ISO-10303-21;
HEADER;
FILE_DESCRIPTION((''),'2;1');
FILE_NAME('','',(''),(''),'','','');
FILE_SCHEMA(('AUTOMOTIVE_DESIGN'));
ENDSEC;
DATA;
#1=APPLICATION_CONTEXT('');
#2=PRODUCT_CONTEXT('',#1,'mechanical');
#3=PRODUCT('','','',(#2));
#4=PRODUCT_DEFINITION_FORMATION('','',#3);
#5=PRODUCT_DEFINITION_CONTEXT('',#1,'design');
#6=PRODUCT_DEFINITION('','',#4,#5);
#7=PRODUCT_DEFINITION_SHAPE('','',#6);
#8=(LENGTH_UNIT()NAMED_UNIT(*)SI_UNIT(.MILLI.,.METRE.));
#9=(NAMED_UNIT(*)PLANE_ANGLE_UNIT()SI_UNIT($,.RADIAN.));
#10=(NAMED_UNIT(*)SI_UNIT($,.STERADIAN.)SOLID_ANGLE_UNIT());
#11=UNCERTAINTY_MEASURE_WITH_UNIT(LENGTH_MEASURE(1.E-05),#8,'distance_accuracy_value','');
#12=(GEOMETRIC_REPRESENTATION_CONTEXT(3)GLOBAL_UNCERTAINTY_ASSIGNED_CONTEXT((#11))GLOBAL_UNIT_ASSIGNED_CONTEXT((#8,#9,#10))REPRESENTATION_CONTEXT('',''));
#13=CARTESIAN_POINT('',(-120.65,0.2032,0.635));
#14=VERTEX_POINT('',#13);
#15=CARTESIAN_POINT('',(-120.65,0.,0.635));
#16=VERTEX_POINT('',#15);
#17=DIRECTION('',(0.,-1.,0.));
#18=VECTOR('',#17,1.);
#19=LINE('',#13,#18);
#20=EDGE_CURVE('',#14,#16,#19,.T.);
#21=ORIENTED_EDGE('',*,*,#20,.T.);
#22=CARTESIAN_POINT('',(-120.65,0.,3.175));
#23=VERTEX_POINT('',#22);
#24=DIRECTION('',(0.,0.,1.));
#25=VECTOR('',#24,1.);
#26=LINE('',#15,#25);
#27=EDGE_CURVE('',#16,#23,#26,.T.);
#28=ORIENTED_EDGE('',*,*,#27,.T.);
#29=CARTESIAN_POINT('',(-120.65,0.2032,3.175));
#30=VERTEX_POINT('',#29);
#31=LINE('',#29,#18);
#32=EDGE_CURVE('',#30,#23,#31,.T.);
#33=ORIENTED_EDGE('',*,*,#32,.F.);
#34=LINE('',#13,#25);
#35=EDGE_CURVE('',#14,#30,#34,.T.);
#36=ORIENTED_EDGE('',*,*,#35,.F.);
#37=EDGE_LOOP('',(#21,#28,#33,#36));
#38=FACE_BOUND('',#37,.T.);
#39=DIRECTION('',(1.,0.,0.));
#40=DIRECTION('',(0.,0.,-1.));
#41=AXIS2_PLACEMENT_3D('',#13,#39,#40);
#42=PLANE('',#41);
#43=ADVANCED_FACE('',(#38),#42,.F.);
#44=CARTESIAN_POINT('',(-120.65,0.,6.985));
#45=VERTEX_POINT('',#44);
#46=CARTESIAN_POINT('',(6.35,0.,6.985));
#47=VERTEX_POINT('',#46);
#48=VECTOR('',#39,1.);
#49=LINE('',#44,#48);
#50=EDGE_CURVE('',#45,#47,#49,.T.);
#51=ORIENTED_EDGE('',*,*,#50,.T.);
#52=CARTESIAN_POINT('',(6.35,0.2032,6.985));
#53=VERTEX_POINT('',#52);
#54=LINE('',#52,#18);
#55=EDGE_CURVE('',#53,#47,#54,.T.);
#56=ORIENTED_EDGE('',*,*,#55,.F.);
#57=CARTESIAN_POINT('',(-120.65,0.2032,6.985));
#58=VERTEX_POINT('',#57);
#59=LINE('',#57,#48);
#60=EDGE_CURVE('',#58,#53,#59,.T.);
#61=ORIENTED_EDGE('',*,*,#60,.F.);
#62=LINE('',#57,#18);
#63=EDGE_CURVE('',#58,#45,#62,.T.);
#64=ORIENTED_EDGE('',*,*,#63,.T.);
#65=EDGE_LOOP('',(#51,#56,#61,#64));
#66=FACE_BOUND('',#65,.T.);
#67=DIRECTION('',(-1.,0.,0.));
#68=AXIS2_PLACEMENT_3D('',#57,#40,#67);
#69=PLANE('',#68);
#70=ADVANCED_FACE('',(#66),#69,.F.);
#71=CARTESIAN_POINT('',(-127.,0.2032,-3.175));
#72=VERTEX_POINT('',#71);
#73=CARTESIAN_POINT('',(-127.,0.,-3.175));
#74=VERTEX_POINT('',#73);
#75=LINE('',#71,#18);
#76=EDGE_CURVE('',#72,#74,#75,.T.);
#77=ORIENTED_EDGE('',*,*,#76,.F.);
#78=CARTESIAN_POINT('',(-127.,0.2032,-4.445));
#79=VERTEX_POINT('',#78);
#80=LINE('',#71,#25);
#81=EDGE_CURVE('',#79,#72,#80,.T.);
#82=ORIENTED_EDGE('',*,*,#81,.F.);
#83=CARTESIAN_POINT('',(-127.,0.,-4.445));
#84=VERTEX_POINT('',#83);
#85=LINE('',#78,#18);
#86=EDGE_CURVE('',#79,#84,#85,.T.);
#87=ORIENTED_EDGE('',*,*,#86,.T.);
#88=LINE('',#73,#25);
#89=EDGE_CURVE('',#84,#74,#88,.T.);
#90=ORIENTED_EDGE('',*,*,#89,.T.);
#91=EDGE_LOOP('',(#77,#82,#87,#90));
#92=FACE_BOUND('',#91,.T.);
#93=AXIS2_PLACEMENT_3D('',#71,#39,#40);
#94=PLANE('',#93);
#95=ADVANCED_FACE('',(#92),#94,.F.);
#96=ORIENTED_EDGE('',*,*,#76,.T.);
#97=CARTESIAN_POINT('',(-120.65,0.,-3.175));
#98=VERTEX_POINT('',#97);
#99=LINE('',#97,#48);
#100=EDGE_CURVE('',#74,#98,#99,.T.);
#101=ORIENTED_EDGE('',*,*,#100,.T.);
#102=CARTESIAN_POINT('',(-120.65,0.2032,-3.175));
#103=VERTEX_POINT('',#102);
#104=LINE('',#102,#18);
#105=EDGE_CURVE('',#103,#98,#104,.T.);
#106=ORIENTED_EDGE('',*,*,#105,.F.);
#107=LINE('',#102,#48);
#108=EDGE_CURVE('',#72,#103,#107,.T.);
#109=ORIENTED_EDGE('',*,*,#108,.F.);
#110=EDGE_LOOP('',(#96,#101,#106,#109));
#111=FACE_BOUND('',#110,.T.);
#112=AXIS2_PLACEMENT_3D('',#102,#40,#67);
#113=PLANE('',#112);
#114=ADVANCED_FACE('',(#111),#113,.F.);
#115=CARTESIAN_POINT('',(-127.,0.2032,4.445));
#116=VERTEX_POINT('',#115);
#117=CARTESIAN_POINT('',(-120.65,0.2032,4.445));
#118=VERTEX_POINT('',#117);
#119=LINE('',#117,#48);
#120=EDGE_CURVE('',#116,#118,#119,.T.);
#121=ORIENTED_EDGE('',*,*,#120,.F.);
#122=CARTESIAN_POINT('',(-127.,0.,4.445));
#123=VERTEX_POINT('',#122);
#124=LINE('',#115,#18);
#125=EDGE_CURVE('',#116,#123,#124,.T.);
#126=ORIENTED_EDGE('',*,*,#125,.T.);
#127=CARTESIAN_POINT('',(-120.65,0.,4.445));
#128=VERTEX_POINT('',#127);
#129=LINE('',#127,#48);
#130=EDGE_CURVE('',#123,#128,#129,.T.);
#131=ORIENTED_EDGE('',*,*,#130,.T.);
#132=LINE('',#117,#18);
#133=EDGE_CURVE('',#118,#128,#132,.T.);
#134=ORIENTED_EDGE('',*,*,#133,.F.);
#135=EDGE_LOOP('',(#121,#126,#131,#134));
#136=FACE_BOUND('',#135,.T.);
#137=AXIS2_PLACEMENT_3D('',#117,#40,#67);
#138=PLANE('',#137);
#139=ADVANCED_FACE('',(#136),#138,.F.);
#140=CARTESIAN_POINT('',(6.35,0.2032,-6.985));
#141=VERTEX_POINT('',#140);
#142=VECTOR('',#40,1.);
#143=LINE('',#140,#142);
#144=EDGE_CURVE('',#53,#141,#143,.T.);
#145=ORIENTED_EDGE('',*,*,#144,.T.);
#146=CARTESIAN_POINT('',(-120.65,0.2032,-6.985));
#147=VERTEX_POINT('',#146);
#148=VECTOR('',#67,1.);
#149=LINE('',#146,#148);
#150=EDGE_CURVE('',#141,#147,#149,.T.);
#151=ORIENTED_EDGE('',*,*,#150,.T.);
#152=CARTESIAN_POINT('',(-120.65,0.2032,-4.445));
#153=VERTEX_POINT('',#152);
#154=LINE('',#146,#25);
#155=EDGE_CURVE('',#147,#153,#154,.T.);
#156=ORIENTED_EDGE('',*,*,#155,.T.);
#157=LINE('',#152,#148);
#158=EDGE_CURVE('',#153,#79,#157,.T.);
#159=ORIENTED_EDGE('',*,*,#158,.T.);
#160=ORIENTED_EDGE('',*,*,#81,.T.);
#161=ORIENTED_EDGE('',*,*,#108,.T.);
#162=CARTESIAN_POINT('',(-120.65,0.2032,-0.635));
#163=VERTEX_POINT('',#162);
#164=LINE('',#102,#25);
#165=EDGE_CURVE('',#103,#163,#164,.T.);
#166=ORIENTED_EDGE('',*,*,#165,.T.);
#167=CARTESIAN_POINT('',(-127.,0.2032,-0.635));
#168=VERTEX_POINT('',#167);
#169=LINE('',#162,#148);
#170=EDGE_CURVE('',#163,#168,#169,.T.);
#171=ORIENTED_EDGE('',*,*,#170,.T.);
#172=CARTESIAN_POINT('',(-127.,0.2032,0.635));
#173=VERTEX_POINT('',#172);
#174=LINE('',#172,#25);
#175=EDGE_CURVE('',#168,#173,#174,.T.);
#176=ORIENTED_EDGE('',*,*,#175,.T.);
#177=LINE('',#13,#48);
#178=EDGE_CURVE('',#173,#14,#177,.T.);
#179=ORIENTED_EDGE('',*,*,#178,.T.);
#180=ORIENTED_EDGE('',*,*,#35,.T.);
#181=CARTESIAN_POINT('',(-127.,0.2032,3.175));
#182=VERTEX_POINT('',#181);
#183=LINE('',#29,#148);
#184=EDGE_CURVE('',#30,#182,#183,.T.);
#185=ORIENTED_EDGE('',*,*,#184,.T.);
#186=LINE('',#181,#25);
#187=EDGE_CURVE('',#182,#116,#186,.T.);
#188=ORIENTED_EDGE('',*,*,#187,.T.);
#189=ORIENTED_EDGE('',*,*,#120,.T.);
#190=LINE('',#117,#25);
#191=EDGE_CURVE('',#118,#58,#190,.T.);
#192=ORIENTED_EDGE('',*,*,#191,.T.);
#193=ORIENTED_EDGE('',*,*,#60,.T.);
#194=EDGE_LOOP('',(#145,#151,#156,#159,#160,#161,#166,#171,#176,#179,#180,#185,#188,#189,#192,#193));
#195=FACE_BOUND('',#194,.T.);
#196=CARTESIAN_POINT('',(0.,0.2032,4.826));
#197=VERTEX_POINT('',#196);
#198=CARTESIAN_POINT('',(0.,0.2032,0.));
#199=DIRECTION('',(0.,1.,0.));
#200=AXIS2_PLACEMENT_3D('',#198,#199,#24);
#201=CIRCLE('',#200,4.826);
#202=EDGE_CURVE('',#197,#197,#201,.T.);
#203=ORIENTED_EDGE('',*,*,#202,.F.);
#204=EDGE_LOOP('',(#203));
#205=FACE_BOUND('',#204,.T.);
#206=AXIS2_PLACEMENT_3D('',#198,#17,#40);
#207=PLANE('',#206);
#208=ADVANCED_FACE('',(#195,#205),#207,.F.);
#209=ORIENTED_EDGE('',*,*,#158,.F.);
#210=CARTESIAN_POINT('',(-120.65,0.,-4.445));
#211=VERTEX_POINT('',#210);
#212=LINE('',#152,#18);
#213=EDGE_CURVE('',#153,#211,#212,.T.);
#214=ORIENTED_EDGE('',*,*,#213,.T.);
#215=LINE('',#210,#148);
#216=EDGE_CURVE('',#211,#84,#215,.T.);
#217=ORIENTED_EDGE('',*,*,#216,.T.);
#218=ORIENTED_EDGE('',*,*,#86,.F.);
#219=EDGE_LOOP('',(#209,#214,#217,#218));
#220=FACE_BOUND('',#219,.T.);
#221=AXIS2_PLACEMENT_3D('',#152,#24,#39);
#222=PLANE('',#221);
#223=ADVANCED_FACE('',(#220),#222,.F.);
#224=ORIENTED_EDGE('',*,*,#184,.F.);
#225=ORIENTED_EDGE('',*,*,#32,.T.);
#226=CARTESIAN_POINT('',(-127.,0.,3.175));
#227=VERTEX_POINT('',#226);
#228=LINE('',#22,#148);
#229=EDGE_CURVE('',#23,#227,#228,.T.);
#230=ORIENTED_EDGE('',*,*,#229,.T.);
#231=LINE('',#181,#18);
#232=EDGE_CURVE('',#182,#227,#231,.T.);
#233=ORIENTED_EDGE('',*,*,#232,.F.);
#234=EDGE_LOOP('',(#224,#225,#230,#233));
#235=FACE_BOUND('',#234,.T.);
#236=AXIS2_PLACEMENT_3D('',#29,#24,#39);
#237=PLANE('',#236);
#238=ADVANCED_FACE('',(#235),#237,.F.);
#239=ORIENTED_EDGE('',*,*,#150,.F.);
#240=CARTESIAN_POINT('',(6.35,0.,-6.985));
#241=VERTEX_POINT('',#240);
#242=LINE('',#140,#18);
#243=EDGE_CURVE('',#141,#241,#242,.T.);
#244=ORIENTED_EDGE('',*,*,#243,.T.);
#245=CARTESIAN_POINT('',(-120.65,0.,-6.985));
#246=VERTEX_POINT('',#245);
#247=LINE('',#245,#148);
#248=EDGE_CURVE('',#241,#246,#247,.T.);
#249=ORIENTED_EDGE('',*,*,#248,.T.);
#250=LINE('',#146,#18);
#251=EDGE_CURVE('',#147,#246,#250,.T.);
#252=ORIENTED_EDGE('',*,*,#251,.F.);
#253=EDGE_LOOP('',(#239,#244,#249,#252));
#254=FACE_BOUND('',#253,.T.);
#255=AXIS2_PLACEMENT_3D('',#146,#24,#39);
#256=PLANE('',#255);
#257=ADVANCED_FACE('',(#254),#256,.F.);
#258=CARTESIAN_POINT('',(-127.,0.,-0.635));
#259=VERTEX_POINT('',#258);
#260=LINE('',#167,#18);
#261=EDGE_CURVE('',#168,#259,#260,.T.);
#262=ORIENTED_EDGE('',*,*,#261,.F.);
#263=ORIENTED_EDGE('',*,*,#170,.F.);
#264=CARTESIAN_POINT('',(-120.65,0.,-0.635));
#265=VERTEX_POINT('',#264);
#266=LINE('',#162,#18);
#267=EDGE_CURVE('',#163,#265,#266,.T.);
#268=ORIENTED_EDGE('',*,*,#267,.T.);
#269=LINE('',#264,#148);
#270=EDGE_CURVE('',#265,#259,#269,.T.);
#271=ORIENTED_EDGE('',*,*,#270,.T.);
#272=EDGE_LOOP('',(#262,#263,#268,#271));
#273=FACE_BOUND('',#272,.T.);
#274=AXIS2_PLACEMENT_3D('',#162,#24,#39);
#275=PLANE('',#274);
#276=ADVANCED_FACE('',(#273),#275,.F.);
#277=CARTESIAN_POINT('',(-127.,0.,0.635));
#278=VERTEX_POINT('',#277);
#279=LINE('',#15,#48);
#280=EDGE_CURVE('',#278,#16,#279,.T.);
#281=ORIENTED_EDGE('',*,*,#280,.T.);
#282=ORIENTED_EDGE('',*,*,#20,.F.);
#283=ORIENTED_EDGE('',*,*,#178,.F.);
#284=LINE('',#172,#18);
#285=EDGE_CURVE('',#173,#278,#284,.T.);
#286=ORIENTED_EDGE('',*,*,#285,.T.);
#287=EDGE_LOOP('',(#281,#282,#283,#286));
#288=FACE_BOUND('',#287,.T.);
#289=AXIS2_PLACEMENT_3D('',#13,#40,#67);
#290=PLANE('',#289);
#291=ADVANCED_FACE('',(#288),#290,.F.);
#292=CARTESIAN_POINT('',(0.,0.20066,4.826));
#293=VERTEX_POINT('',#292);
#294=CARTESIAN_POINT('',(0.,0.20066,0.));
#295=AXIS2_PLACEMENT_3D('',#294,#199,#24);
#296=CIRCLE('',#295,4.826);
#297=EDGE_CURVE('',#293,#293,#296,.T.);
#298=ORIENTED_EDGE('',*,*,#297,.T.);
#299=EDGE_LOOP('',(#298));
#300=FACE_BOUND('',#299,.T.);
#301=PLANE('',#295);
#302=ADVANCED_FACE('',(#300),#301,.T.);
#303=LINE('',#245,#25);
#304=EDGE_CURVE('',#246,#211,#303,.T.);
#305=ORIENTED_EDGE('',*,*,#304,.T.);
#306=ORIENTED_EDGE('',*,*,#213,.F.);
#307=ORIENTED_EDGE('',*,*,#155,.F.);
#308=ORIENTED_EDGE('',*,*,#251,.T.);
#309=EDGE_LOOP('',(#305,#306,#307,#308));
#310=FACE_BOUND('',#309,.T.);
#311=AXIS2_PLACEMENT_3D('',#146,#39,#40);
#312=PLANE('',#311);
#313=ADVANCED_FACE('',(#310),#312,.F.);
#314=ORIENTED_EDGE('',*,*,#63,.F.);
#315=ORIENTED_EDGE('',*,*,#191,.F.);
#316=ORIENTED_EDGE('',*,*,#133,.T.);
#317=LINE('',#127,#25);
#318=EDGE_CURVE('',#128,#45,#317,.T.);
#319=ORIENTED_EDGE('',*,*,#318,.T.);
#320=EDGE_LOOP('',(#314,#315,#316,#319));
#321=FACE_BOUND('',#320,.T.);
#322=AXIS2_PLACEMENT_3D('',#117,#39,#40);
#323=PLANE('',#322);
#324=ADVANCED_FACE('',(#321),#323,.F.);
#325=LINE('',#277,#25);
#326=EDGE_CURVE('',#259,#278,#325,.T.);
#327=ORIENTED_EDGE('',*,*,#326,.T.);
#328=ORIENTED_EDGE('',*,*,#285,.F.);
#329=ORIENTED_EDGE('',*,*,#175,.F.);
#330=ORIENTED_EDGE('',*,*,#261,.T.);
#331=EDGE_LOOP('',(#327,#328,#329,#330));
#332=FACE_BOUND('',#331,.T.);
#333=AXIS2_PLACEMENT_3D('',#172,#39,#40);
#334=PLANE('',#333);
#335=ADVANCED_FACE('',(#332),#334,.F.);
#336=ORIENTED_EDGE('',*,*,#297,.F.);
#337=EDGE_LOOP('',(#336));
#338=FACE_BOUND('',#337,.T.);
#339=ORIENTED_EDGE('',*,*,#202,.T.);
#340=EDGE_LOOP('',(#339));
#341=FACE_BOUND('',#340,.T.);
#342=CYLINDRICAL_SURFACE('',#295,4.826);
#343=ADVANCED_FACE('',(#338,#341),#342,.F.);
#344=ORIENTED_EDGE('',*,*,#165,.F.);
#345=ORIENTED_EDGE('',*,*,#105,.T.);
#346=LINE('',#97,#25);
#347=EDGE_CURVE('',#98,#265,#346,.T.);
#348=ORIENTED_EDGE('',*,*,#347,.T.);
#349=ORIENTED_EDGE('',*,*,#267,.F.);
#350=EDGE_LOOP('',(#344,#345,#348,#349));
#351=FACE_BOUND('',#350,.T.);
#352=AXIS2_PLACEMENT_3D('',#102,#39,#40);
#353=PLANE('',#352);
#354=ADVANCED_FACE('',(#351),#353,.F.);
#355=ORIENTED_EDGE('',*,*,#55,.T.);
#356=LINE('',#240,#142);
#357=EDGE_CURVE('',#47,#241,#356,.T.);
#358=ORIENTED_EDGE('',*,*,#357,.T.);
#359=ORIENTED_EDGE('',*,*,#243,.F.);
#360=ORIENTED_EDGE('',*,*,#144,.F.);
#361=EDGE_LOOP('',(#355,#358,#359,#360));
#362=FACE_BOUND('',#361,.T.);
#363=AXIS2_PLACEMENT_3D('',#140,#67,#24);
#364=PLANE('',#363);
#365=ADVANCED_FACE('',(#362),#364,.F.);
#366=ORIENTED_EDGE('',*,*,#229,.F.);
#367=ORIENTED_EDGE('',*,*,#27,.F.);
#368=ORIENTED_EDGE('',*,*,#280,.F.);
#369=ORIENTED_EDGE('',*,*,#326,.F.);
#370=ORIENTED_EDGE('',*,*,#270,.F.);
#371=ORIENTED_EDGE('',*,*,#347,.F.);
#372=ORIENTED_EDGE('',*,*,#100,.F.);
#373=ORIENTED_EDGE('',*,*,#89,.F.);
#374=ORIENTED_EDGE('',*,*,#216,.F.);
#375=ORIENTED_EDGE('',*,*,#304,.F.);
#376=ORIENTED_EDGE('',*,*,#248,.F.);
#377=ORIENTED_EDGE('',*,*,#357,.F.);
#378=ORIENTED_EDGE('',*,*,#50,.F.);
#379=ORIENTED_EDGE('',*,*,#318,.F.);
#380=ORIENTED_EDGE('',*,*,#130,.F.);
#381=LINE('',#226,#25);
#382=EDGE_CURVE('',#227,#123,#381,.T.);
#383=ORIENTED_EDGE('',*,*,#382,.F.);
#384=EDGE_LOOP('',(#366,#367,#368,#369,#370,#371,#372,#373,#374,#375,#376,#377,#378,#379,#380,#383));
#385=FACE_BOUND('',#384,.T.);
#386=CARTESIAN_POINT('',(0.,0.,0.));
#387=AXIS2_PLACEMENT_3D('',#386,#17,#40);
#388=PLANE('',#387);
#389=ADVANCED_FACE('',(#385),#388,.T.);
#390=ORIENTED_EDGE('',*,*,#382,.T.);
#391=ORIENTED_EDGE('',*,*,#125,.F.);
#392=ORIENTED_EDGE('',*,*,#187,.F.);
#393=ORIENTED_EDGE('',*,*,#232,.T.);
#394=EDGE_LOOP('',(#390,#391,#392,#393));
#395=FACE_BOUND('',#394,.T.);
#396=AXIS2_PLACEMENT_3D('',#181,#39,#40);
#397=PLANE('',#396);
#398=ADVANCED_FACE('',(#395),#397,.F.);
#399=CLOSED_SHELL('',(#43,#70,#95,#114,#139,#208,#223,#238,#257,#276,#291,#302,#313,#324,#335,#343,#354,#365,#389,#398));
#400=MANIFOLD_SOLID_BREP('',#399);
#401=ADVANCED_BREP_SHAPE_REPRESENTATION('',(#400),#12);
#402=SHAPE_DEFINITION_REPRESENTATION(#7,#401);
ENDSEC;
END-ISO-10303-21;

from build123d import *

# Parameters (mm, degrees)
BOSS_EXTRUDE1_DEPTH = 0.2032
SKETCH2_R           = 4.826
CUT_EXTRUDE1_DEPTH  = 0.00254


with BuildPart() as part:
    # Sketch1 → Boss-Extrude1 (new body)
    with BuildSketch(Plane(origin=(0, 0, 0), x_dir=(1, 0, 0), z_dir=(0, 1, 0))):
        Polygon((-120.65, -0.635), (-127, -0.635), (-127, 0.635), (-120.65, 0.635), (-120.65, 3.175), (-127, 3.175), (-127, 4.445), (-120.65, 4.445), (-120.65, 6.985), (6.35, 6.985), (6.35, -6.985), (-120.65, -6.985), (-120.65, -4.445), (-127, -4.445), (-127, -3.175), (-120.65, -3.175), align=None)
    extrude(amount=BOSS_EXTRUDE1_DEPTH)

    # Sketch2 → Cut-Extrude1 (cut)
    with BuildSketch(Plane(origin=(0, 0.2032, 0), x_dir=(1, 0, 0), z_dir=(0, 1, 0))):
        Circle(SKETCH2_R)
    extrude(amount=-CUT_EXTRUDE1_DEPTH, mode=Mode.SUBTRACT)


solid = part.part
